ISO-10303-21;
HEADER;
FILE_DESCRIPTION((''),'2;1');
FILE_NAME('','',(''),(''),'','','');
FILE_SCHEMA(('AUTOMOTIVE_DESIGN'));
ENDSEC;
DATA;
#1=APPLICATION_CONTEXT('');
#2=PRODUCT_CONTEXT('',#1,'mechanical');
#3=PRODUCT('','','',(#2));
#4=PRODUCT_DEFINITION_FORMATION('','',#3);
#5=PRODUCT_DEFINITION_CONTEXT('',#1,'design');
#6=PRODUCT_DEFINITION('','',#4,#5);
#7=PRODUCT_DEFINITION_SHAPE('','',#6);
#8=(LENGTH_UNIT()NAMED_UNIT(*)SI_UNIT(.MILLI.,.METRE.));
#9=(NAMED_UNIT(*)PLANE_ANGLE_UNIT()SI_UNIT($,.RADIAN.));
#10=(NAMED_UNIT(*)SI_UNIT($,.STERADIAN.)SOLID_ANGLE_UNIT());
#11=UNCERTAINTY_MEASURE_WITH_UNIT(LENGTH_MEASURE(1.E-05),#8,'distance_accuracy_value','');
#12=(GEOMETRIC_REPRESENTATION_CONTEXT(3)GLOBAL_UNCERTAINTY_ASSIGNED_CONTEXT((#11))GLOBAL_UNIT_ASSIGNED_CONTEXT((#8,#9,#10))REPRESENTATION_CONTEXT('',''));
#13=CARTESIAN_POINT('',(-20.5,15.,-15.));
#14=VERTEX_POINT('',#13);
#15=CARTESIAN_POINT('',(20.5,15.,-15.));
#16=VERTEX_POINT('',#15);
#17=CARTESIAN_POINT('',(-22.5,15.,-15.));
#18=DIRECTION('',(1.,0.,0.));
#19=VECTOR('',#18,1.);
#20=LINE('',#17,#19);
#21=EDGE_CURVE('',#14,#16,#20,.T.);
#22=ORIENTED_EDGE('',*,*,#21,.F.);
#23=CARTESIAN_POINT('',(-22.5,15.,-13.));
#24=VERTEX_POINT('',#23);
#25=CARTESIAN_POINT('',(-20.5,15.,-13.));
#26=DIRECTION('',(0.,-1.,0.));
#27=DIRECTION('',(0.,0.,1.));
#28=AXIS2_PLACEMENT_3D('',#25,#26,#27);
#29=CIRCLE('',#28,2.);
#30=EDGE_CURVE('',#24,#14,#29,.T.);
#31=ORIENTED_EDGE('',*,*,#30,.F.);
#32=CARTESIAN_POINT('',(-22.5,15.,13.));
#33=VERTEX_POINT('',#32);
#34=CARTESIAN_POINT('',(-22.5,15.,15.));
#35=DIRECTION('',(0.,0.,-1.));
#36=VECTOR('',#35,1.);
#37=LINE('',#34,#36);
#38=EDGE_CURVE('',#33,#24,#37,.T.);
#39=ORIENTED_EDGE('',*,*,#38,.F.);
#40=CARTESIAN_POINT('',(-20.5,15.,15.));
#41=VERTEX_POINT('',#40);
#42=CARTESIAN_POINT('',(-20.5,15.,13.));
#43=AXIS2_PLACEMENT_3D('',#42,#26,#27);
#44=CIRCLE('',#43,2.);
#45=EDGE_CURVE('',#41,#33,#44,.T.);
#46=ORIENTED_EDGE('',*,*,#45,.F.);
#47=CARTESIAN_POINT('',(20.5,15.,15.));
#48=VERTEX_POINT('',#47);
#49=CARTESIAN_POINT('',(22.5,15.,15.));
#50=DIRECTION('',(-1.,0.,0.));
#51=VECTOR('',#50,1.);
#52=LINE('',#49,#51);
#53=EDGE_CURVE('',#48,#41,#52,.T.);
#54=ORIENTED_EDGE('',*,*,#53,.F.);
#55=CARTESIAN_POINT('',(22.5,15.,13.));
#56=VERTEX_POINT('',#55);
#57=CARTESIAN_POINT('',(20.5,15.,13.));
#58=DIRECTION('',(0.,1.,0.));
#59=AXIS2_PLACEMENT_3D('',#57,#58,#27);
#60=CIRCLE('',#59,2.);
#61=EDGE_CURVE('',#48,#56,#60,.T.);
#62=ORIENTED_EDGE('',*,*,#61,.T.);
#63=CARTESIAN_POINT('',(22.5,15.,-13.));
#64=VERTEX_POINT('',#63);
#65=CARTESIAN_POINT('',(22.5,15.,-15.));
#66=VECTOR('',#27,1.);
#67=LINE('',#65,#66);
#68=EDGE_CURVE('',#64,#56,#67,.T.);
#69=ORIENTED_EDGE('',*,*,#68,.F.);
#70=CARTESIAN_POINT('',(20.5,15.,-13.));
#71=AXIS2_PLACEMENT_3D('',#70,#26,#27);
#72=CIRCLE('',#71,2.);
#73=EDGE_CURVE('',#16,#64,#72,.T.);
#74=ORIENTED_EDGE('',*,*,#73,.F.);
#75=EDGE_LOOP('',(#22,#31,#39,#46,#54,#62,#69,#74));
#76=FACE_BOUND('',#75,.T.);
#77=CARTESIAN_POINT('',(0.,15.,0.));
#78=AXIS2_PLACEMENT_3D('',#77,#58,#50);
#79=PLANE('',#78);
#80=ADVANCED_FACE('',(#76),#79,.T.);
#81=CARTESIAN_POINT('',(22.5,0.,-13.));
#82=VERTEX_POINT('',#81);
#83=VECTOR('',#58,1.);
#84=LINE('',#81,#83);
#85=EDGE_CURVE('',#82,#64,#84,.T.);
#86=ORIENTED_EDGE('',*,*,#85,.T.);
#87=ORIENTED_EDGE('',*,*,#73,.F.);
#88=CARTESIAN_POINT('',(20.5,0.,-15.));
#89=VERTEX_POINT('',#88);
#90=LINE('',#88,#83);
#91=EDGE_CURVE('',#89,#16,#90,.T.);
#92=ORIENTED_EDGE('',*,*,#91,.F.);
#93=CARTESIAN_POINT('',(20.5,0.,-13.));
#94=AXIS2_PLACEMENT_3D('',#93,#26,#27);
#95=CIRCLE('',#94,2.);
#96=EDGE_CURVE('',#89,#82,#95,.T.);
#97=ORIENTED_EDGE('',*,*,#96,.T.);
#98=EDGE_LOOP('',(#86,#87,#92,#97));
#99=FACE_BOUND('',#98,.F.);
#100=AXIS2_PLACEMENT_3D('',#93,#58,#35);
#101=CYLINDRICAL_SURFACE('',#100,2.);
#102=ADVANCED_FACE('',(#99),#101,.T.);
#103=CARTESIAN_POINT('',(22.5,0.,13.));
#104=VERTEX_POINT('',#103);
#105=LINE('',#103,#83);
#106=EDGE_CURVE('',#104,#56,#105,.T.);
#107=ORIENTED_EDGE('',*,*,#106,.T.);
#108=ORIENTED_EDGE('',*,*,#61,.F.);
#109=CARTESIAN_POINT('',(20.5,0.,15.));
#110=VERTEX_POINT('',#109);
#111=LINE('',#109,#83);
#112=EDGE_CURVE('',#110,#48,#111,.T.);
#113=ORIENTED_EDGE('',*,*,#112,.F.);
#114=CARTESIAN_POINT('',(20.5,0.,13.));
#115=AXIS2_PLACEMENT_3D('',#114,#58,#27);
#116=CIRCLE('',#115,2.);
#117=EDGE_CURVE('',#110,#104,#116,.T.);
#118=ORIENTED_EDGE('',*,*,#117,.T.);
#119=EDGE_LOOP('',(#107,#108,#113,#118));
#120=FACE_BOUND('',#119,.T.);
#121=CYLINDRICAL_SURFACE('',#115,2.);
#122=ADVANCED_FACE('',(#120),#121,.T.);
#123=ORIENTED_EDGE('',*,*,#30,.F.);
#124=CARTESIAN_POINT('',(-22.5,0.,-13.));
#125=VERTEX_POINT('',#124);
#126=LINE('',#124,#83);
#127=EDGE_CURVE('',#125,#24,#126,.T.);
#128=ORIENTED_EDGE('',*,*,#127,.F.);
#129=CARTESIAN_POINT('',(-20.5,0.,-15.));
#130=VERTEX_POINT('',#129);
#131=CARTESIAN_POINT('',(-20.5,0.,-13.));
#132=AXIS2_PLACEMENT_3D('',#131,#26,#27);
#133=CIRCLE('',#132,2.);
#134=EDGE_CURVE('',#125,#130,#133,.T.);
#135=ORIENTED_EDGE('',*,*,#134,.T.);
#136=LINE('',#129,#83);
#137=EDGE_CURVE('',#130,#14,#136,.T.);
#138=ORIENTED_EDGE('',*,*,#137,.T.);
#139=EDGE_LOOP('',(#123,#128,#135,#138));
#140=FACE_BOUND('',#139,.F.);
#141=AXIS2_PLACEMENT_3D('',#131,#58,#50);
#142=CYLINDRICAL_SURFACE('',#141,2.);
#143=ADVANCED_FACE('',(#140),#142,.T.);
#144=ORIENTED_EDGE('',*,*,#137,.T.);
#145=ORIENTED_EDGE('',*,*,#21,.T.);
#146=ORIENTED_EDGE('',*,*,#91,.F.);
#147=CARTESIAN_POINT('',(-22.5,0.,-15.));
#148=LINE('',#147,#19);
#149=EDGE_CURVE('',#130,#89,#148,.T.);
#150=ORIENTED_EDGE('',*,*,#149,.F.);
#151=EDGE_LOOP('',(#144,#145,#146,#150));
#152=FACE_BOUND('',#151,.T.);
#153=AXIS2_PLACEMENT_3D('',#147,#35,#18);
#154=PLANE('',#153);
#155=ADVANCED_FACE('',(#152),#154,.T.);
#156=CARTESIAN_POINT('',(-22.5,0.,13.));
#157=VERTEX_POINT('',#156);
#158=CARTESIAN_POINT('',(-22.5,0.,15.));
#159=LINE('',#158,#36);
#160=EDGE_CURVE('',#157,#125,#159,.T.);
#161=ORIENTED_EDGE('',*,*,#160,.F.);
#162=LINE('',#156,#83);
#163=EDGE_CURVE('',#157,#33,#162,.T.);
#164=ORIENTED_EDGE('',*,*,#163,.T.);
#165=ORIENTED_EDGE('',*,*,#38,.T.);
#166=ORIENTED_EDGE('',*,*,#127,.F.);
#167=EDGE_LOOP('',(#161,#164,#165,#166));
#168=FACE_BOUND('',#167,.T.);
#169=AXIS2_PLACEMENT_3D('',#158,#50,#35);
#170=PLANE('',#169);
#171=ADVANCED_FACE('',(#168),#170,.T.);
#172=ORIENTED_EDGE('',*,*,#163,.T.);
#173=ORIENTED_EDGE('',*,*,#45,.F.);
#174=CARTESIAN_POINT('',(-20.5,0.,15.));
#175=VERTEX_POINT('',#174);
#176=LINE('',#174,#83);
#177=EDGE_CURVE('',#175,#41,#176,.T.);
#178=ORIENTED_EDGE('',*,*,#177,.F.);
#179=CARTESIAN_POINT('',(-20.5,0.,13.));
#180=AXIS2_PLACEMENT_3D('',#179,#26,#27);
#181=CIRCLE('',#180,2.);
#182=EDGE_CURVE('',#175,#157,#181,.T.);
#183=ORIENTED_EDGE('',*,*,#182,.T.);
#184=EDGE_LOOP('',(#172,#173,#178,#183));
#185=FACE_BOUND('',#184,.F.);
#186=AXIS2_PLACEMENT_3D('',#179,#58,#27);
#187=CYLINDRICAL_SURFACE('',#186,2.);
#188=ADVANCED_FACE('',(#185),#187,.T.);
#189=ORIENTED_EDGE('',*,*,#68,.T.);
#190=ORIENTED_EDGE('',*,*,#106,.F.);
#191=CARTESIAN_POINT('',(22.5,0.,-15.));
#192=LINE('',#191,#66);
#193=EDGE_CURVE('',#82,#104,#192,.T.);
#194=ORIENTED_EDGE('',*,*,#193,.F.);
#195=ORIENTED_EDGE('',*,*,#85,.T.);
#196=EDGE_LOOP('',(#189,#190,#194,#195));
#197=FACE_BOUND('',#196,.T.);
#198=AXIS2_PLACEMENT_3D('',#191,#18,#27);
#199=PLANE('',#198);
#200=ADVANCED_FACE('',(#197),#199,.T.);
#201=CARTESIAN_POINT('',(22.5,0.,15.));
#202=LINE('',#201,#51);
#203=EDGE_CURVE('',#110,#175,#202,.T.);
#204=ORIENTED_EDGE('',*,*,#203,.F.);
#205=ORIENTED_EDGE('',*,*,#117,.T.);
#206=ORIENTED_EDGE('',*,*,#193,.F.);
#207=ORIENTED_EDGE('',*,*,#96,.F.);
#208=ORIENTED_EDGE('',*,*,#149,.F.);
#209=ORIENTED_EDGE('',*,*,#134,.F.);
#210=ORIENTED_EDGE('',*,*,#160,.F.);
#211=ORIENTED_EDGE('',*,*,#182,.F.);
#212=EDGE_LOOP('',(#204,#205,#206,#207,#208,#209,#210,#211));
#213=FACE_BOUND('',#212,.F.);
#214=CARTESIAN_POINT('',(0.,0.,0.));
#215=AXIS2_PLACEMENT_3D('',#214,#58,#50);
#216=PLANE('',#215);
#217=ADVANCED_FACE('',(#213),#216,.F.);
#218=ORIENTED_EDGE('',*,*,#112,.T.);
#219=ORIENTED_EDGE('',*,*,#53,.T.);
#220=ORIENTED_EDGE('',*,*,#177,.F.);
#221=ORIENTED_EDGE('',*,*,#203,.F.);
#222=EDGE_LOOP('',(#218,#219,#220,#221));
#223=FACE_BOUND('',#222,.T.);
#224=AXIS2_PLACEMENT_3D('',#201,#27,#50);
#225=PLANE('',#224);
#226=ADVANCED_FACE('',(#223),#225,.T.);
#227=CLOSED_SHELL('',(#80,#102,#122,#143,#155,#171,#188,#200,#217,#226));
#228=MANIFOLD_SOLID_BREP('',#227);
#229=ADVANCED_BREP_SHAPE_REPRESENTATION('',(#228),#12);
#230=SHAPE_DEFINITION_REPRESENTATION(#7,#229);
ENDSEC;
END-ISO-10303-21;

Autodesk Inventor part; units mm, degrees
ref_plane "YZ Plane" through (0, 0, 0) normal (1, 0, 0) x (0, 1, 0)
ref_plane "XZ Plane" through (0, 0, 0) normal (0, 1, 0) x (-1, 0, 0)
ref_plane "XY Plane" through (0, 0, 0) normal (0, 0, 1) x (1, 0, 0)
sketch "Sketch1" plane through (0, 0, 0) normal (0, 1, 0) x (-1, 0, 0)
  line L0 (-22.5, 15) -> (22.5, 15)
  line L1 (22.5, 15) -> (22.5, -15)
  line L2 (22.5, -15) -> (-22.5, -15)
  line L3 (-22.5, -15) -> (-22.5, 15)
  line L4 (-22.5, 15) -> (22.5, -15) construction
  line L5 (22.5, 15) -> (-22.5, -15) construction
  line L6 (31.5, 0) -> (-31.5, 0) construction
  line L7 (0, -21) -> (0, 21) construction
  point P0 (0, 0)
  dimension "d0" = 45
  dimension "d1" = 30
extrude "Extrusion1" add sketch "Sketch1" along normal blind 15
fillet "Fillet1" radius 2 4 edges at (-22.5, 7.5, 15) (-22.5, 7.5, -15) (22.5, 7.5, -15) (22.5, 7.5, 15)
properties part number "TCSM1-15-005" material "Wood (Birch)"
